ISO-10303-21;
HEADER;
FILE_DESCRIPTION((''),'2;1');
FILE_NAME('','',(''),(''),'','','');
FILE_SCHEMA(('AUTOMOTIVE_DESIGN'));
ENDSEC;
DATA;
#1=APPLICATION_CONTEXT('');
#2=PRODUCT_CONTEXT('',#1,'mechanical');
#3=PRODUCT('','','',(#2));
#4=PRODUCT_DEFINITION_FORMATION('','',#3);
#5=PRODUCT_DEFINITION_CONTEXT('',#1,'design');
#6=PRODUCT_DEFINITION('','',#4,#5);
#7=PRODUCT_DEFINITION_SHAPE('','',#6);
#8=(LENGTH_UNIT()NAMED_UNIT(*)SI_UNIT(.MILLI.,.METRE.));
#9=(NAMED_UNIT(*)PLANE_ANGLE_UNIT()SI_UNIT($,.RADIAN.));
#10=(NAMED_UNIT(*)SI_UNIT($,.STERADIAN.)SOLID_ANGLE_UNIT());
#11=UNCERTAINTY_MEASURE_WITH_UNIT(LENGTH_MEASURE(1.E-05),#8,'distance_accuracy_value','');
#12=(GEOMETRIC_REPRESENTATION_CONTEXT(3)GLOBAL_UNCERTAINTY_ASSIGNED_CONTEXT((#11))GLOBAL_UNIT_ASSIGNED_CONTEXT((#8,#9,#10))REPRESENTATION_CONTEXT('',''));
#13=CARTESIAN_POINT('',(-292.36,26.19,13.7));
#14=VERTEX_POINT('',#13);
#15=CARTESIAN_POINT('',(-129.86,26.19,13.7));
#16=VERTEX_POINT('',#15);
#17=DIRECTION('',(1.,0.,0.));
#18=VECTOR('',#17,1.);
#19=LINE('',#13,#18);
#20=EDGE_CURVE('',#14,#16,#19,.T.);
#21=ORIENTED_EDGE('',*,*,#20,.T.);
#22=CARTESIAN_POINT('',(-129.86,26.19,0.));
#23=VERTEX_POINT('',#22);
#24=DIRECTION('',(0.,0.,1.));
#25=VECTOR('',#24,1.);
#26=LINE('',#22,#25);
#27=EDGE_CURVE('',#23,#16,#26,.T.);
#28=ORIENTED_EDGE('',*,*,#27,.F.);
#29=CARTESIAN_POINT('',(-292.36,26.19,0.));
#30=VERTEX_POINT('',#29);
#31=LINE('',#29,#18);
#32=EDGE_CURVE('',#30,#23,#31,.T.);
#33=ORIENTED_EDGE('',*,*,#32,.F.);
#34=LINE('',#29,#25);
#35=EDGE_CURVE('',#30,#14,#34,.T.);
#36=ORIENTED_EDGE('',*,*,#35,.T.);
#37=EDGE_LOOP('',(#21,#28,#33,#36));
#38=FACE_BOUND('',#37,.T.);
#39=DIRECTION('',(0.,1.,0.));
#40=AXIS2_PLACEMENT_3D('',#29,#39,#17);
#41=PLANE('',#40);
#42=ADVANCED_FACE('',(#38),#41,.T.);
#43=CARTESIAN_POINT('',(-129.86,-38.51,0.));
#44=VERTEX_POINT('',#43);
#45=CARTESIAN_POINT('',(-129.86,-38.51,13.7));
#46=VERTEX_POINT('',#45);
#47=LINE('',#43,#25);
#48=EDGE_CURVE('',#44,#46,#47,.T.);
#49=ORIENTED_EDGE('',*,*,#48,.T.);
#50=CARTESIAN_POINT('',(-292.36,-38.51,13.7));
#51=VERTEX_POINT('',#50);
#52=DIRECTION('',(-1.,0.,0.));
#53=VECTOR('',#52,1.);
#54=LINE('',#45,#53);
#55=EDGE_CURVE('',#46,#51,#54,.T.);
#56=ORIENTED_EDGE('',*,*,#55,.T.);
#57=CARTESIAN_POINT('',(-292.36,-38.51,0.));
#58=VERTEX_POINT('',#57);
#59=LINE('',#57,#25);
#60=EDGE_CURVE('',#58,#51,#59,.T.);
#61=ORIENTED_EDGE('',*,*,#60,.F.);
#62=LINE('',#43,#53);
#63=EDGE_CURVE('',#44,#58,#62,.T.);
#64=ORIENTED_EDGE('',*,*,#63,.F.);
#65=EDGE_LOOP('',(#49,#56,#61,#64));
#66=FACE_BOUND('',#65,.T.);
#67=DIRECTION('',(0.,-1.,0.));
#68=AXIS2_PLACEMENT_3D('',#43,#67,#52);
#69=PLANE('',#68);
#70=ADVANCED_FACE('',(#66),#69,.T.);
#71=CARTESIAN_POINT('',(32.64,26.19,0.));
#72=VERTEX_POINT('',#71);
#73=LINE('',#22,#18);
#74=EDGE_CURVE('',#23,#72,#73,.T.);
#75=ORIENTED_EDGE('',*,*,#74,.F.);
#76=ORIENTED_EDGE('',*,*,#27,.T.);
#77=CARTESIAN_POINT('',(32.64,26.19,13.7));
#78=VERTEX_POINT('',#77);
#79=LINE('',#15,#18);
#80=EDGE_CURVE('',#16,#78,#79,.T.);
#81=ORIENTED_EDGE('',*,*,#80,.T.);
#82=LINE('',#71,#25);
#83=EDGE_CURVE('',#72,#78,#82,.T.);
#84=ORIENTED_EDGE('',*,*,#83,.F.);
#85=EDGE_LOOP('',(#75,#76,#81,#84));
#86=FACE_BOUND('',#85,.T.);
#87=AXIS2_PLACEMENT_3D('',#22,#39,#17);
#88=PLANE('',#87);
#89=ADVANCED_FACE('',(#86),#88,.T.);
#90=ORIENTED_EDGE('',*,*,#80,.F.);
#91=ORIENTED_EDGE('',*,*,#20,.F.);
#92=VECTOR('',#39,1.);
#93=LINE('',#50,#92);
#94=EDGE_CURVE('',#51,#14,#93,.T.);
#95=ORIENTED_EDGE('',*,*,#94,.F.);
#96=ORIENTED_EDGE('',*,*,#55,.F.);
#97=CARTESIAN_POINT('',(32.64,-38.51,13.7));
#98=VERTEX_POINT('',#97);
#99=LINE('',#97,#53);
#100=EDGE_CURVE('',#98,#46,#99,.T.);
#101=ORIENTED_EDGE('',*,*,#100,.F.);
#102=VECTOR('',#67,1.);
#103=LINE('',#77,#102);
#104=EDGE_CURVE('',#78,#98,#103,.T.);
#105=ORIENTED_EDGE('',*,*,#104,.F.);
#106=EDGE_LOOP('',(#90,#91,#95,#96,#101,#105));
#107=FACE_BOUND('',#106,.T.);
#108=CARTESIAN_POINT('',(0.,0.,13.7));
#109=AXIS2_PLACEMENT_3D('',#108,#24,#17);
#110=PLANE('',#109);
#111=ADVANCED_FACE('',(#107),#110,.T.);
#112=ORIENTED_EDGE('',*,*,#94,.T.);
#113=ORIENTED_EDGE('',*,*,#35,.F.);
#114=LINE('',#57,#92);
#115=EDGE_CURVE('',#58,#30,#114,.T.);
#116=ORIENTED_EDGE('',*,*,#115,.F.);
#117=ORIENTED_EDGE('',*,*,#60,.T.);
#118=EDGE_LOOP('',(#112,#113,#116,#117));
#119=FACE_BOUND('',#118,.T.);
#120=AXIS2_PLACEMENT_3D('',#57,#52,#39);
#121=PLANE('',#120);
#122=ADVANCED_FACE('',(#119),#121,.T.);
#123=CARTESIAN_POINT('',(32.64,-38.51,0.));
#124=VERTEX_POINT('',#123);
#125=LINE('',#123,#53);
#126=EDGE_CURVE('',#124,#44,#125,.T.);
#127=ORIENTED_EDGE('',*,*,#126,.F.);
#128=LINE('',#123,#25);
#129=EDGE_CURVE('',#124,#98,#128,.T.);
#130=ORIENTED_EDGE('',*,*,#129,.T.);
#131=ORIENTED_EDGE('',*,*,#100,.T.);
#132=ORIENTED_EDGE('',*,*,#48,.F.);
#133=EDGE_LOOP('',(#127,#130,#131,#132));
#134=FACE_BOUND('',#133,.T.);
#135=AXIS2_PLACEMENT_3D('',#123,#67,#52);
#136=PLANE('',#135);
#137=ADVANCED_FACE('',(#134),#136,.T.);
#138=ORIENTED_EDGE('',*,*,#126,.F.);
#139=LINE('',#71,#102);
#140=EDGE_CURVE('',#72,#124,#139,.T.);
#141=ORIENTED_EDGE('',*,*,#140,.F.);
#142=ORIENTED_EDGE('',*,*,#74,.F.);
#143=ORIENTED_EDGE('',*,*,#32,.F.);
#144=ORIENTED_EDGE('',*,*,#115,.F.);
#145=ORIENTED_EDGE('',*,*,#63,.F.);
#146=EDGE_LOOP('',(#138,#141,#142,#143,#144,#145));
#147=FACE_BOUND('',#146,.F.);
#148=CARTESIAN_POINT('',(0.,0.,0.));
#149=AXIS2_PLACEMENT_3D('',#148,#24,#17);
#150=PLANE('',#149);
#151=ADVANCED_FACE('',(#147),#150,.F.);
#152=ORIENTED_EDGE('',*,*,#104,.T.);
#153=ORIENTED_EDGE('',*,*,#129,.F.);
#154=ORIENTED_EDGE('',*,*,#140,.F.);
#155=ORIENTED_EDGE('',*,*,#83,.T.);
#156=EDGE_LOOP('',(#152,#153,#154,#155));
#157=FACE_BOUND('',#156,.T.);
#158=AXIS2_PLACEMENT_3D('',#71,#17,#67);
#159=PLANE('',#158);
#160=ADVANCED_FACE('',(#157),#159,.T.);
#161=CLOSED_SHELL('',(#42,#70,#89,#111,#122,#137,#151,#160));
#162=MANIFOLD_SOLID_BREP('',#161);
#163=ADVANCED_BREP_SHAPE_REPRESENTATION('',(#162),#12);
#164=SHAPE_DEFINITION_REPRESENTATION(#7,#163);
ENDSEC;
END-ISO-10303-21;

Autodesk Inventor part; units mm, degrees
ref_plane "YZ Plane" through (0, 0, 0) normal (1, 0, 0) x (0, 1, 0)
ref_plane "XZ Plane" through (0, 0, 0) normal (0, 1, 0) x (-1, 0, 0)
ref_plane "XY Plane" through (0, 0, 0) normal (0, 0, 1) x (1, 0, 0)
sketch "Boceto1" plane through (0, 0, 0) normal (0, 0, 1) x (1, 0, 0)
  line L0 (-129.86, -38.51) -> (-129.86, -45.51) projected
  line L1 (-129.86, -45.51) -> (39.14, -45.51) projected
  arc A0 (39.14, -45.51) -> (39.64, -45.01) centre (39.14, -45.01) ccw projected
  line L2 (39.64, -45.01) -> (39.64, 32.69) projected
  arc A1 (39.64, 32.69) -> (39.14, 33.19) centre (39.14, 32.69) ccw projected
  line L3 (39.14, 33.19) -> (-129.86, 33.19) projected
  line L4 (-129.86, 33.19) -> (-129.86, 26.19) projected
  line L5 (-129.86, 26.19) -> (32.64, 26.19) projected
  line L6 (32.64, 26.19) -> (32.64, -38.51) projected
  line L7 (32.64, -38.51) -> (-129.86, -38.51) projected
  circle A2 centre (36.14, 29.69) radius 2.15 projected
  circle A3 centre (36.14, -42.01) radius 2.15 projected
  circle A4 centre (-74.5267, 29.69) radius 2.15 projected
  circle A5 centre (-74.5267, -42.01) radius 2.15 projected
  line L8 (-129.86, -45.51) -> (-129.86, -38.51) projected
  line L9 (-129.86, -38.51) -> (-292.36, -38.51) projected
  line L10 (-292.36, -38.51) -> (-292.36, 26.19) projected
  line L11 (-292.36, 26.19) -> (-129.86, 26.19) projected
  line L12 (-129.86, 26.19) -> (-129.86, 33.19) projected
  line L13 (-129.86, 33.19) -> (-298.86, 33.19) projected
  arc A6 (-298.86, 33.19) -> (-299.36, 32.69) centre (-298.86, 32.69) ccw projected
  line L14 (-299.36, 32.69) -> (-299.36, -45.01) projected
  arc A7 (-299.36, -45.01) -> (-298.86, -45.51) centre (-298.86, -45.01) ccw projected
  line L15 (-298.86, -45.51) -> (-129.86, -45.51) projected
  circle A8 centre (-185.1933, 29.69) radius 2.15 projected
  circle A9 centre (-295.86, -42.01) radius 2.15 projected
  circle A10 centre (-295.86, 29.69) radius 2.15 projected
  circle A11 centre (-185.1933, -42.01) radius 2.15 projected
  line L16 (32.64, -38.51) -> (-292.36, -38.51)
  line L17 (-292.36, -38.51) -> (-292.36, 26.19)
  line L18 (-292.36, 26.19) -> (32.64, 26.19)
  line L19 (32.64, 26.19) -> (32.64, -38.51)
  point P0 (0, 0)
extrude "Extrusión1" add sketch "Boceto1" along normal blind 13.7 contours L9 L10 L11 L5 L6 L7
properties part number "Matrices"
